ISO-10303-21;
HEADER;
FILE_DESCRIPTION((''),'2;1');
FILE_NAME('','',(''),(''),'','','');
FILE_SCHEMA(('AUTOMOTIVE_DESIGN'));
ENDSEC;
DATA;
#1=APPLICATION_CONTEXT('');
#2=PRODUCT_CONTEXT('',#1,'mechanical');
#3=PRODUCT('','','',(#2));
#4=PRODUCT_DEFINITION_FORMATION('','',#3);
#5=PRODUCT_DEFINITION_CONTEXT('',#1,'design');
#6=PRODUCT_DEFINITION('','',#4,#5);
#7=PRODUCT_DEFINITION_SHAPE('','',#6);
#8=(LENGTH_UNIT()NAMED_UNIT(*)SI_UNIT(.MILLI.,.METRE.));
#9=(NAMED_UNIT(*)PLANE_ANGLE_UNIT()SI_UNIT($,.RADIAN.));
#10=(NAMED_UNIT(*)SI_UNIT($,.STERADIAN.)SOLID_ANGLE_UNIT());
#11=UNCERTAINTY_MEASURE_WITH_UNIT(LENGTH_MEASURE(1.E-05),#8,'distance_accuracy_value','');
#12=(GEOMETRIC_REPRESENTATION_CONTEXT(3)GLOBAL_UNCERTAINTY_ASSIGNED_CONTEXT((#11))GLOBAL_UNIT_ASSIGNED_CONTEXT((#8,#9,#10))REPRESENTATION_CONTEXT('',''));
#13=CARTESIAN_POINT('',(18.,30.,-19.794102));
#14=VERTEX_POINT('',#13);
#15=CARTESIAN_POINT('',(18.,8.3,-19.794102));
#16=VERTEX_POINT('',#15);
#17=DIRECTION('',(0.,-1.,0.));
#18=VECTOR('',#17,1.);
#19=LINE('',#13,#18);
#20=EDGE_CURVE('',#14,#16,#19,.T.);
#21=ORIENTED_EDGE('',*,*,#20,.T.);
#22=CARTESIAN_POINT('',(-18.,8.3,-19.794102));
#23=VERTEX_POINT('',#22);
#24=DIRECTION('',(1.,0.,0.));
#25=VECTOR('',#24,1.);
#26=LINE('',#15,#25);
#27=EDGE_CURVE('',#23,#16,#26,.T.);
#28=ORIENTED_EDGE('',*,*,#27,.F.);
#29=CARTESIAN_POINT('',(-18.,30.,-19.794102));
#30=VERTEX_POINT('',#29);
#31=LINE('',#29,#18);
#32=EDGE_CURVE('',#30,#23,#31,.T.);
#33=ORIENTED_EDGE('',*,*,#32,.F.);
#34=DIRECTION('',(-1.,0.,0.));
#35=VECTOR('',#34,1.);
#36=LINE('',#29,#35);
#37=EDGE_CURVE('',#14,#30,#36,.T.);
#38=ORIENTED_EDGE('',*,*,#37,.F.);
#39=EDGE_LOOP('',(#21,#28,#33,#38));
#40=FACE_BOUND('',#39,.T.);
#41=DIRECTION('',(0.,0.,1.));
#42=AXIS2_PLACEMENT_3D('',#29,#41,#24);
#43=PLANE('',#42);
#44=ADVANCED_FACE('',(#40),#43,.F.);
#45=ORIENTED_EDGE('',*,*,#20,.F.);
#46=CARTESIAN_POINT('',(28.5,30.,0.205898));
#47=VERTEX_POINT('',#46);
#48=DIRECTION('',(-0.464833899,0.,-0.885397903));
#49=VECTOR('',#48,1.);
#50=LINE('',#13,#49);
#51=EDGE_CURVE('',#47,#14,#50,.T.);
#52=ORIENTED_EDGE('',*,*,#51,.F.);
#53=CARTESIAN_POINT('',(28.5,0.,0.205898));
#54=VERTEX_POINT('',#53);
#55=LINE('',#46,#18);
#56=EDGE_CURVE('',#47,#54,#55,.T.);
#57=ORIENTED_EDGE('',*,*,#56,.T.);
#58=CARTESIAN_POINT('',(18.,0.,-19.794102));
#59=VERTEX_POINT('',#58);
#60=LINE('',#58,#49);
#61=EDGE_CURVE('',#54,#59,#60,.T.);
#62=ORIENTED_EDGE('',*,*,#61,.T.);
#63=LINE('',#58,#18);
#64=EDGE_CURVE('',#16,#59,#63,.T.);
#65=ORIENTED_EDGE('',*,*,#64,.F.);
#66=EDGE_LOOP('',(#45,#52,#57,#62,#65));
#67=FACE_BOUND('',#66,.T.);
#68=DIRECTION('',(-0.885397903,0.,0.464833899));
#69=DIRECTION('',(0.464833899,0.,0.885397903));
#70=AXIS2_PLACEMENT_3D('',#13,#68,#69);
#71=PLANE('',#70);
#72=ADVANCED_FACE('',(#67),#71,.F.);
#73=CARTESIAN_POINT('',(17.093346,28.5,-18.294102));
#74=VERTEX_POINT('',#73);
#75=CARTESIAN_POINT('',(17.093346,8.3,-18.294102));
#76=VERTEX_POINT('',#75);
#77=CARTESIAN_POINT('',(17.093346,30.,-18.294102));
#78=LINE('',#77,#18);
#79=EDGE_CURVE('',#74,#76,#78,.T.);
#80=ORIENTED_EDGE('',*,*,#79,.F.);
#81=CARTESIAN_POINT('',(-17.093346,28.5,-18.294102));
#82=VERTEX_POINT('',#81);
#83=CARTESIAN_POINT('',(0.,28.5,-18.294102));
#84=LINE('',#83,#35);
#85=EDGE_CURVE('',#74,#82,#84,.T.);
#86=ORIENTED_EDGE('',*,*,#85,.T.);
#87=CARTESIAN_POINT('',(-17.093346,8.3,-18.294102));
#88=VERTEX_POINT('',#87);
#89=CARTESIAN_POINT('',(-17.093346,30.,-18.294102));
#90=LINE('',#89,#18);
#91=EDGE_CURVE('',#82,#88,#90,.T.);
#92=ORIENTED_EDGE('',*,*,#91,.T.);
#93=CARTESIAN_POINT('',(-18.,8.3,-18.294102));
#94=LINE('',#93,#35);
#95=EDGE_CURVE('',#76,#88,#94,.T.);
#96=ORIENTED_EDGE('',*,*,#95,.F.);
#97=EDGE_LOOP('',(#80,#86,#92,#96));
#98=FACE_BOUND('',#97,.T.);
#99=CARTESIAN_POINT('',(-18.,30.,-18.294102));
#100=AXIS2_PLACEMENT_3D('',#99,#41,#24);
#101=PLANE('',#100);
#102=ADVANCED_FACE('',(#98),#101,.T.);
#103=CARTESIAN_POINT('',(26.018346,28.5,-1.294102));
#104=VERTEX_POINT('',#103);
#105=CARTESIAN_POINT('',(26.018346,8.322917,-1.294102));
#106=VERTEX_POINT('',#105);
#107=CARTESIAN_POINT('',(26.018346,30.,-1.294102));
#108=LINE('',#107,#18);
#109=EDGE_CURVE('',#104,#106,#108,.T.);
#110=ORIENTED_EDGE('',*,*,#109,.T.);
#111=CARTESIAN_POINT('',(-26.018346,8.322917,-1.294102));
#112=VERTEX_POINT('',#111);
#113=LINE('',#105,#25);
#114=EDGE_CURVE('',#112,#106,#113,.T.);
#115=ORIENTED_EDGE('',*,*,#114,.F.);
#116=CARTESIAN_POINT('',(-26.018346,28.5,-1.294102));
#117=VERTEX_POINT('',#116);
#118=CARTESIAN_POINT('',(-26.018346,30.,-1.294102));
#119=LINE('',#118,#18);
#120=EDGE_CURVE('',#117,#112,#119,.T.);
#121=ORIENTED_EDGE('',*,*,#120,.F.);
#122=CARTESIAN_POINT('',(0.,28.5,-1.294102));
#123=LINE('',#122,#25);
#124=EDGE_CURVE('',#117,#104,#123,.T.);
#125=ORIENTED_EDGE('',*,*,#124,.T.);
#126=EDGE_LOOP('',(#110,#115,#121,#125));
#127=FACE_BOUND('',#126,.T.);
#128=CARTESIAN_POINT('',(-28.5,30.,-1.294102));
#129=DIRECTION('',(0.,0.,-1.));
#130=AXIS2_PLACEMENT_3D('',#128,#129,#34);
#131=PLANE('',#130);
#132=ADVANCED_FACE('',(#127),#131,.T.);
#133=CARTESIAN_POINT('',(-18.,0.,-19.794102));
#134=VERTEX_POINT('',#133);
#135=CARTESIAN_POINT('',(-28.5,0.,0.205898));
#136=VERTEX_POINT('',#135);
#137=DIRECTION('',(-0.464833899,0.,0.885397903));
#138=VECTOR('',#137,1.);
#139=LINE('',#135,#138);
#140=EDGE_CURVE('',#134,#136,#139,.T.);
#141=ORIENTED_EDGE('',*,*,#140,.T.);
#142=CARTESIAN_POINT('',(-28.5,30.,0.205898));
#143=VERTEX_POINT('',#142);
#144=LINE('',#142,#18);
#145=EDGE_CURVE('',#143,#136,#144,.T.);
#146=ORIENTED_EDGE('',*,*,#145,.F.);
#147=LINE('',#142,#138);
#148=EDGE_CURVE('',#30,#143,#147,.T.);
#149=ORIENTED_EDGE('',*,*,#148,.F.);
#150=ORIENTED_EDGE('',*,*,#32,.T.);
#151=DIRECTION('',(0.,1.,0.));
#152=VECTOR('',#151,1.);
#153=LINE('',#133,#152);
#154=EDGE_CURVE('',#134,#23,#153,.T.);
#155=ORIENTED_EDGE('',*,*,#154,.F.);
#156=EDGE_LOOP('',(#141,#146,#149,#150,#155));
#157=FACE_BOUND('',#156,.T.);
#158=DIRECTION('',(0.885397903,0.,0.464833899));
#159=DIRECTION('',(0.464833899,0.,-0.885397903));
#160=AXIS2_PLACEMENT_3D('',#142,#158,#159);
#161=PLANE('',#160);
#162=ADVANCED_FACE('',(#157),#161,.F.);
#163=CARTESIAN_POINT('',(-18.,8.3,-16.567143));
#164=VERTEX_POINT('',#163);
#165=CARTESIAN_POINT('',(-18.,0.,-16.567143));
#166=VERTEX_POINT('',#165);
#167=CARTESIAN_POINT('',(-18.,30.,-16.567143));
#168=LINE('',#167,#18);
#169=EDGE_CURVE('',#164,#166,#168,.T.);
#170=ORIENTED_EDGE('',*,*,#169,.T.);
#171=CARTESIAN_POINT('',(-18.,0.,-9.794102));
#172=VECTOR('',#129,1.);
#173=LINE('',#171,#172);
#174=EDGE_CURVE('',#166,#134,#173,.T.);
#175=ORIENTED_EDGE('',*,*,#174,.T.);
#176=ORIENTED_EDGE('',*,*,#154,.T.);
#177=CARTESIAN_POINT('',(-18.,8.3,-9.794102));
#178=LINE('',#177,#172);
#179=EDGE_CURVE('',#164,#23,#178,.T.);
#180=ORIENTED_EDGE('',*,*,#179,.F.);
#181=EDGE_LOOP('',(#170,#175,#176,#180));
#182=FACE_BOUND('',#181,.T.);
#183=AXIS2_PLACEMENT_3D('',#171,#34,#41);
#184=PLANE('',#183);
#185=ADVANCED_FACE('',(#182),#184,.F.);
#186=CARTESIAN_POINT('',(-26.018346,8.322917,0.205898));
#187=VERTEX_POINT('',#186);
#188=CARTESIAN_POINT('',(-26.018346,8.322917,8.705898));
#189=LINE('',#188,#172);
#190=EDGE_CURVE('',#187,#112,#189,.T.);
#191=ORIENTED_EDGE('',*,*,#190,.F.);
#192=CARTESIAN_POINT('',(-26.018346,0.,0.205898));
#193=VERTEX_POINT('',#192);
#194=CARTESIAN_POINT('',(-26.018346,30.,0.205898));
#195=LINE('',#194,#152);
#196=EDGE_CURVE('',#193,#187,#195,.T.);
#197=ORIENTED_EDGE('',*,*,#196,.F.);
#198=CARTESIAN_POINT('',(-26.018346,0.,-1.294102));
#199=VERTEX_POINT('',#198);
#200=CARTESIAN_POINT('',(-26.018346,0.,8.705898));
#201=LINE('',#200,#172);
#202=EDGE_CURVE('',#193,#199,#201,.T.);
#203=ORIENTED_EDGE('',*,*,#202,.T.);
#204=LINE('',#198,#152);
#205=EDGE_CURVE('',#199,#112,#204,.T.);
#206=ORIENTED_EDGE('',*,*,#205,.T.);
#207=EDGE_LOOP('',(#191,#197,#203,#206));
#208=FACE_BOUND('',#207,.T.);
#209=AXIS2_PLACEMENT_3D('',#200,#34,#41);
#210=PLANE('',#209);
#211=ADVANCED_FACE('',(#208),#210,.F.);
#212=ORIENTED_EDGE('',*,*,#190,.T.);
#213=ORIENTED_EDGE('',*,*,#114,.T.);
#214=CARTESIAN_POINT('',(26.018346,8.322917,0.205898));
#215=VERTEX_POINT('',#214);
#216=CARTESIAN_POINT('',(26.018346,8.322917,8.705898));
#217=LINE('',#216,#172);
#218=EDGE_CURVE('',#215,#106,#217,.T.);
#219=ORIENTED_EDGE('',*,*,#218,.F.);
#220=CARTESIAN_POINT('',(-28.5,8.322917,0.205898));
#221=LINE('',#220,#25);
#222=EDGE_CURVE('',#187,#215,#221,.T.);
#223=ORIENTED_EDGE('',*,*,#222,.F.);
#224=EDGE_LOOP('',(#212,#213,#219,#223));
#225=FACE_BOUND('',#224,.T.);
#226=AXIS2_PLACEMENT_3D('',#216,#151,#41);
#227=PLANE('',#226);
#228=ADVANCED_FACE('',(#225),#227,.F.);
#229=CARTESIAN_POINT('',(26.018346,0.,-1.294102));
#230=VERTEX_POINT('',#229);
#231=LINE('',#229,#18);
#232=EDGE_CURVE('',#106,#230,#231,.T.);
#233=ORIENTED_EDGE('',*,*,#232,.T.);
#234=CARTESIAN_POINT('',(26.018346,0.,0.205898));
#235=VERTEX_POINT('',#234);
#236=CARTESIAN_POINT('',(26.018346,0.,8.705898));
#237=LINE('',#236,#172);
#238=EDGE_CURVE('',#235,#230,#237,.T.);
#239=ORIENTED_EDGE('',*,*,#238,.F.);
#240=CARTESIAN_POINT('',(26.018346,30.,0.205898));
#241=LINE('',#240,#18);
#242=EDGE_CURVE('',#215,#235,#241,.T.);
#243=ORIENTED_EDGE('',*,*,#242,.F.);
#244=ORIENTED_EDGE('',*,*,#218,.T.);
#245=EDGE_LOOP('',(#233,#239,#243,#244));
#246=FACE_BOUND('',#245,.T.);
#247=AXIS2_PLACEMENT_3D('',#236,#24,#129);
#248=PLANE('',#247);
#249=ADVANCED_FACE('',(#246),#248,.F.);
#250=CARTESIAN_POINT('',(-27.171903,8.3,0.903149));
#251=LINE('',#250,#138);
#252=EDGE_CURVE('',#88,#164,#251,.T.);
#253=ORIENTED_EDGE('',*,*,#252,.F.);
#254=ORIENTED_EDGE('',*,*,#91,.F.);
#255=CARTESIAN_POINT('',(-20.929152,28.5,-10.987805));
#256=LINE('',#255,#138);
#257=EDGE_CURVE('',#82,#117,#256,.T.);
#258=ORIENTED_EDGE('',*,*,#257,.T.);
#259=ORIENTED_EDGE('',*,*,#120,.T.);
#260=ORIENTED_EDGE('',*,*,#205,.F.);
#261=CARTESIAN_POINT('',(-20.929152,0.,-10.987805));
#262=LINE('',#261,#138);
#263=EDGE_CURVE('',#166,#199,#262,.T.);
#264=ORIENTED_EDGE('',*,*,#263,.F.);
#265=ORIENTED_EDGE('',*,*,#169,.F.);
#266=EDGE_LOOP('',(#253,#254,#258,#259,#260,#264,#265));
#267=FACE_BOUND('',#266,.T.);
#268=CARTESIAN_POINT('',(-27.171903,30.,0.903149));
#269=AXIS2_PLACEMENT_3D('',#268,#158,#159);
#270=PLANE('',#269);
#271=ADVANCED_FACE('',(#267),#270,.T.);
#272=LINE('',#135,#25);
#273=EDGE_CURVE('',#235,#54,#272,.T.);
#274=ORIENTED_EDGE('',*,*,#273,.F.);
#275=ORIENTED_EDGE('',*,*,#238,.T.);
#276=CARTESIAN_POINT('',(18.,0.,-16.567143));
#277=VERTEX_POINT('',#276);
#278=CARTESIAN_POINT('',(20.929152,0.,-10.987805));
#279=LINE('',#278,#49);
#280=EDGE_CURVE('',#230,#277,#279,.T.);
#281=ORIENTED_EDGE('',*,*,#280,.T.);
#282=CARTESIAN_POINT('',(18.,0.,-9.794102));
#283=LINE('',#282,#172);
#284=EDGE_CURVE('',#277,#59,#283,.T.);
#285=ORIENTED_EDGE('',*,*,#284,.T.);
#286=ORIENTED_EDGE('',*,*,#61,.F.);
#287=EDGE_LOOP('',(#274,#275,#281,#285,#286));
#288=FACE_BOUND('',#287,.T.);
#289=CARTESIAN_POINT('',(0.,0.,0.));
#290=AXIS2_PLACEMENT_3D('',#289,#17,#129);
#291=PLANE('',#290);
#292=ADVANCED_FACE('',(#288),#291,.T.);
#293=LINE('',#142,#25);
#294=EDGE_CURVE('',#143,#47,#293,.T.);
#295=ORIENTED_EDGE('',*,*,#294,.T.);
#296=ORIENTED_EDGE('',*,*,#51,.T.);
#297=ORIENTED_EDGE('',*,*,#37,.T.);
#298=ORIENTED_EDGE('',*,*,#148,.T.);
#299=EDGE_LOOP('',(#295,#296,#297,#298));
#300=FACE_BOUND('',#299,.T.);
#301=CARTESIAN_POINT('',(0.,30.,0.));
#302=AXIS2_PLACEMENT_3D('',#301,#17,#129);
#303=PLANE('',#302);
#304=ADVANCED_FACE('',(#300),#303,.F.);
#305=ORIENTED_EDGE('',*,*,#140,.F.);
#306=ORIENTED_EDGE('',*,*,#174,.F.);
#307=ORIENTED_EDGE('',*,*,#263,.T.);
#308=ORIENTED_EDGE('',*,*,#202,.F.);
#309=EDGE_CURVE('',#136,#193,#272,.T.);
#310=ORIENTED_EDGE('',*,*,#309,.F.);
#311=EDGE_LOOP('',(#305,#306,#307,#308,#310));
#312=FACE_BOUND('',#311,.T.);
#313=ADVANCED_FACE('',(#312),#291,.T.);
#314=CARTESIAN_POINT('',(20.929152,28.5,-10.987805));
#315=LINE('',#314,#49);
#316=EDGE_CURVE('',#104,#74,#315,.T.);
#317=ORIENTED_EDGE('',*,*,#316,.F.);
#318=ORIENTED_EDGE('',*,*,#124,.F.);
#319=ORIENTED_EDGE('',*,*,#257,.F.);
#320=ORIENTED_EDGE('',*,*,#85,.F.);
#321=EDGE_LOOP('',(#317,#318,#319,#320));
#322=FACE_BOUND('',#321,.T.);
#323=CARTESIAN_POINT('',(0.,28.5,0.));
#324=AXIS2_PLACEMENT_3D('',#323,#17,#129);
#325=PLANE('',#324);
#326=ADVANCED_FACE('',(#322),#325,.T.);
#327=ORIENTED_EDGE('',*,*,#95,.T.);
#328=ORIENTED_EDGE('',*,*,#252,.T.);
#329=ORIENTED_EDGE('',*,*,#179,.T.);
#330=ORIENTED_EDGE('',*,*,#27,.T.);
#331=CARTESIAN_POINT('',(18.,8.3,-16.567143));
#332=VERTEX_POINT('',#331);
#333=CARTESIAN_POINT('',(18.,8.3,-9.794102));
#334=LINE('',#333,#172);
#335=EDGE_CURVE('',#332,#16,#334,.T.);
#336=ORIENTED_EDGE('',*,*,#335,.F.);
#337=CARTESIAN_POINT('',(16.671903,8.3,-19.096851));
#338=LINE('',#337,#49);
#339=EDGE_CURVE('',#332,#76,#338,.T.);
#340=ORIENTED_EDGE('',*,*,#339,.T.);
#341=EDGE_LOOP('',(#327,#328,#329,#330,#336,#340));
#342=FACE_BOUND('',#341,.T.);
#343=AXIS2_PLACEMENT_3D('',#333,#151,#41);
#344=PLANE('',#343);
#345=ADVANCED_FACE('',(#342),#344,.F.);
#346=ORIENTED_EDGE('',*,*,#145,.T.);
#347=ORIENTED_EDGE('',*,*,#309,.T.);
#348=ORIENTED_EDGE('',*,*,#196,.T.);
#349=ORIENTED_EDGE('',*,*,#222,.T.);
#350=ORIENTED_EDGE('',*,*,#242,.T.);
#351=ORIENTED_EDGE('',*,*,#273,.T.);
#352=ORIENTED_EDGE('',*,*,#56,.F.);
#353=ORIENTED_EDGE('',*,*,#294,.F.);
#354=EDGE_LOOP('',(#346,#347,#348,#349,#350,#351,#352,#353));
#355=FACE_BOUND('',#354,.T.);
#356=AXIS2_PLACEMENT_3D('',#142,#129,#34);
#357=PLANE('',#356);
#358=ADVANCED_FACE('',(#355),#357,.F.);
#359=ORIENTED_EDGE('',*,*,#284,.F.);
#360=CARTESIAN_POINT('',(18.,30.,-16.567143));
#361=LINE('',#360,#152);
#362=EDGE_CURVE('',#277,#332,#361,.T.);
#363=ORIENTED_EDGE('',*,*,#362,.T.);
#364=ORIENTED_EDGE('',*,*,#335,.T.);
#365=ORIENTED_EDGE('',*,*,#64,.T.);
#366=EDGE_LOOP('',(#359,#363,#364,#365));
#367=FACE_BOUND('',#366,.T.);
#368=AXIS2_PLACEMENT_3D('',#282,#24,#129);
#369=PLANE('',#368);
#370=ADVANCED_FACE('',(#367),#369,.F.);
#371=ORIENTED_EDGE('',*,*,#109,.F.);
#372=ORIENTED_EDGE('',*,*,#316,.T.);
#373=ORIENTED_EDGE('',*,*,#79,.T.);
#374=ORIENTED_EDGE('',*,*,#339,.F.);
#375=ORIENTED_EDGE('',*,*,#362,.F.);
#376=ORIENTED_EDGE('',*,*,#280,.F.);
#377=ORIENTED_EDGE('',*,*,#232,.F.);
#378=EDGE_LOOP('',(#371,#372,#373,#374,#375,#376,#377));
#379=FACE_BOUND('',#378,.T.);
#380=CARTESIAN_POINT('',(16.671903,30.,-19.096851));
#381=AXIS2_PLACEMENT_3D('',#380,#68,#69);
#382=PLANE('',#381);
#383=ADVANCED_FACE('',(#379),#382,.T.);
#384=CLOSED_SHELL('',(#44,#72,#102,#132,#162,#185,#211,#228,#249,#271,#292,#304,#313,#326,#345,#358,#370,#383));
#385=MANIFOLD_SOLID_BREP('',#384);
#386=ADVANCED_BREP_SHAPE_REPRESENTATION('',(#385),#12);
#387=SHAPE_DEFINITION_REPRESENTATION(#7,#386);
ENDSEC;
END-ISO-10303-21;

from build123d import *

# Parameters (mm, degrees)
SALIENTE_EXTRUIR1_DEPTH = 30
VACIADO1_T              = -1.5
CROQUIS4_W              = 36
CROQUIS4_H              = 8.3
CORTAR_EXTRUIR2_DEPTH   = 10
CROQUIS5_W              = 52.0366929
CROQUIS5_H              = 8.322917461
CORTAR_EXTRUIR3_DEPTH   = 10


with BuildPart() as part:
    # Croquis1 → Saliente-Extruir1 (new body)
    with BuildSketch(Plane(origin=(0, 0, 0), x_dir=(1, 0, 0), z_dir=(0, 1, 0))):
        Polygon((-28.5, -0.205897881), (-18, 19.794102119), (18, 19.794102119), (28.5, -0.205897881), align=None)
    extrude(amount=SALIENTE_EXTRUIR1_DEPTH)

    # Vaciado1
    vaciado1_openings = [part.faces().sort_by_distance(p)[0] for p in [
        (0, 0, -9.041413947),
    ]]
    offset(amount=VACIADO1_T, openings=vaciado1_openings, kind=Kind.INTERSECTION)

    # Croquis4 → Cortar-Extruir2 (cut)
    with BuildSketch(Plane(origin=(0, 0, -19.794102119), x_dir=(-1, 0, 0), z_dir=(0, 0, -1))):
        with Locations((0, 4.15)):
            Rectangle(CROQUIS4_W, CROQUIS4_H)
    extrude(amount=-CORTAR_EXTRUIR2_DEPTH, mode=Mode.SUBTRACT)

    # Croquis5 → Cortar-Extruir3 (cut)
    with BuildSketch(Plane(origin=(0, 0, -1.294102119), x_dir=(-1, 0, 0), z_dir=(0, 0, -1))):
        with Locations((0, 4.161458731)):
            Rectangle(CROQUIS5_W, CROQUIS5_H)
    extrude(amount=-CORTAR_EXTRUIR3_DEPTH, mode=Mode.SUBTRACT)


solid = part.part
